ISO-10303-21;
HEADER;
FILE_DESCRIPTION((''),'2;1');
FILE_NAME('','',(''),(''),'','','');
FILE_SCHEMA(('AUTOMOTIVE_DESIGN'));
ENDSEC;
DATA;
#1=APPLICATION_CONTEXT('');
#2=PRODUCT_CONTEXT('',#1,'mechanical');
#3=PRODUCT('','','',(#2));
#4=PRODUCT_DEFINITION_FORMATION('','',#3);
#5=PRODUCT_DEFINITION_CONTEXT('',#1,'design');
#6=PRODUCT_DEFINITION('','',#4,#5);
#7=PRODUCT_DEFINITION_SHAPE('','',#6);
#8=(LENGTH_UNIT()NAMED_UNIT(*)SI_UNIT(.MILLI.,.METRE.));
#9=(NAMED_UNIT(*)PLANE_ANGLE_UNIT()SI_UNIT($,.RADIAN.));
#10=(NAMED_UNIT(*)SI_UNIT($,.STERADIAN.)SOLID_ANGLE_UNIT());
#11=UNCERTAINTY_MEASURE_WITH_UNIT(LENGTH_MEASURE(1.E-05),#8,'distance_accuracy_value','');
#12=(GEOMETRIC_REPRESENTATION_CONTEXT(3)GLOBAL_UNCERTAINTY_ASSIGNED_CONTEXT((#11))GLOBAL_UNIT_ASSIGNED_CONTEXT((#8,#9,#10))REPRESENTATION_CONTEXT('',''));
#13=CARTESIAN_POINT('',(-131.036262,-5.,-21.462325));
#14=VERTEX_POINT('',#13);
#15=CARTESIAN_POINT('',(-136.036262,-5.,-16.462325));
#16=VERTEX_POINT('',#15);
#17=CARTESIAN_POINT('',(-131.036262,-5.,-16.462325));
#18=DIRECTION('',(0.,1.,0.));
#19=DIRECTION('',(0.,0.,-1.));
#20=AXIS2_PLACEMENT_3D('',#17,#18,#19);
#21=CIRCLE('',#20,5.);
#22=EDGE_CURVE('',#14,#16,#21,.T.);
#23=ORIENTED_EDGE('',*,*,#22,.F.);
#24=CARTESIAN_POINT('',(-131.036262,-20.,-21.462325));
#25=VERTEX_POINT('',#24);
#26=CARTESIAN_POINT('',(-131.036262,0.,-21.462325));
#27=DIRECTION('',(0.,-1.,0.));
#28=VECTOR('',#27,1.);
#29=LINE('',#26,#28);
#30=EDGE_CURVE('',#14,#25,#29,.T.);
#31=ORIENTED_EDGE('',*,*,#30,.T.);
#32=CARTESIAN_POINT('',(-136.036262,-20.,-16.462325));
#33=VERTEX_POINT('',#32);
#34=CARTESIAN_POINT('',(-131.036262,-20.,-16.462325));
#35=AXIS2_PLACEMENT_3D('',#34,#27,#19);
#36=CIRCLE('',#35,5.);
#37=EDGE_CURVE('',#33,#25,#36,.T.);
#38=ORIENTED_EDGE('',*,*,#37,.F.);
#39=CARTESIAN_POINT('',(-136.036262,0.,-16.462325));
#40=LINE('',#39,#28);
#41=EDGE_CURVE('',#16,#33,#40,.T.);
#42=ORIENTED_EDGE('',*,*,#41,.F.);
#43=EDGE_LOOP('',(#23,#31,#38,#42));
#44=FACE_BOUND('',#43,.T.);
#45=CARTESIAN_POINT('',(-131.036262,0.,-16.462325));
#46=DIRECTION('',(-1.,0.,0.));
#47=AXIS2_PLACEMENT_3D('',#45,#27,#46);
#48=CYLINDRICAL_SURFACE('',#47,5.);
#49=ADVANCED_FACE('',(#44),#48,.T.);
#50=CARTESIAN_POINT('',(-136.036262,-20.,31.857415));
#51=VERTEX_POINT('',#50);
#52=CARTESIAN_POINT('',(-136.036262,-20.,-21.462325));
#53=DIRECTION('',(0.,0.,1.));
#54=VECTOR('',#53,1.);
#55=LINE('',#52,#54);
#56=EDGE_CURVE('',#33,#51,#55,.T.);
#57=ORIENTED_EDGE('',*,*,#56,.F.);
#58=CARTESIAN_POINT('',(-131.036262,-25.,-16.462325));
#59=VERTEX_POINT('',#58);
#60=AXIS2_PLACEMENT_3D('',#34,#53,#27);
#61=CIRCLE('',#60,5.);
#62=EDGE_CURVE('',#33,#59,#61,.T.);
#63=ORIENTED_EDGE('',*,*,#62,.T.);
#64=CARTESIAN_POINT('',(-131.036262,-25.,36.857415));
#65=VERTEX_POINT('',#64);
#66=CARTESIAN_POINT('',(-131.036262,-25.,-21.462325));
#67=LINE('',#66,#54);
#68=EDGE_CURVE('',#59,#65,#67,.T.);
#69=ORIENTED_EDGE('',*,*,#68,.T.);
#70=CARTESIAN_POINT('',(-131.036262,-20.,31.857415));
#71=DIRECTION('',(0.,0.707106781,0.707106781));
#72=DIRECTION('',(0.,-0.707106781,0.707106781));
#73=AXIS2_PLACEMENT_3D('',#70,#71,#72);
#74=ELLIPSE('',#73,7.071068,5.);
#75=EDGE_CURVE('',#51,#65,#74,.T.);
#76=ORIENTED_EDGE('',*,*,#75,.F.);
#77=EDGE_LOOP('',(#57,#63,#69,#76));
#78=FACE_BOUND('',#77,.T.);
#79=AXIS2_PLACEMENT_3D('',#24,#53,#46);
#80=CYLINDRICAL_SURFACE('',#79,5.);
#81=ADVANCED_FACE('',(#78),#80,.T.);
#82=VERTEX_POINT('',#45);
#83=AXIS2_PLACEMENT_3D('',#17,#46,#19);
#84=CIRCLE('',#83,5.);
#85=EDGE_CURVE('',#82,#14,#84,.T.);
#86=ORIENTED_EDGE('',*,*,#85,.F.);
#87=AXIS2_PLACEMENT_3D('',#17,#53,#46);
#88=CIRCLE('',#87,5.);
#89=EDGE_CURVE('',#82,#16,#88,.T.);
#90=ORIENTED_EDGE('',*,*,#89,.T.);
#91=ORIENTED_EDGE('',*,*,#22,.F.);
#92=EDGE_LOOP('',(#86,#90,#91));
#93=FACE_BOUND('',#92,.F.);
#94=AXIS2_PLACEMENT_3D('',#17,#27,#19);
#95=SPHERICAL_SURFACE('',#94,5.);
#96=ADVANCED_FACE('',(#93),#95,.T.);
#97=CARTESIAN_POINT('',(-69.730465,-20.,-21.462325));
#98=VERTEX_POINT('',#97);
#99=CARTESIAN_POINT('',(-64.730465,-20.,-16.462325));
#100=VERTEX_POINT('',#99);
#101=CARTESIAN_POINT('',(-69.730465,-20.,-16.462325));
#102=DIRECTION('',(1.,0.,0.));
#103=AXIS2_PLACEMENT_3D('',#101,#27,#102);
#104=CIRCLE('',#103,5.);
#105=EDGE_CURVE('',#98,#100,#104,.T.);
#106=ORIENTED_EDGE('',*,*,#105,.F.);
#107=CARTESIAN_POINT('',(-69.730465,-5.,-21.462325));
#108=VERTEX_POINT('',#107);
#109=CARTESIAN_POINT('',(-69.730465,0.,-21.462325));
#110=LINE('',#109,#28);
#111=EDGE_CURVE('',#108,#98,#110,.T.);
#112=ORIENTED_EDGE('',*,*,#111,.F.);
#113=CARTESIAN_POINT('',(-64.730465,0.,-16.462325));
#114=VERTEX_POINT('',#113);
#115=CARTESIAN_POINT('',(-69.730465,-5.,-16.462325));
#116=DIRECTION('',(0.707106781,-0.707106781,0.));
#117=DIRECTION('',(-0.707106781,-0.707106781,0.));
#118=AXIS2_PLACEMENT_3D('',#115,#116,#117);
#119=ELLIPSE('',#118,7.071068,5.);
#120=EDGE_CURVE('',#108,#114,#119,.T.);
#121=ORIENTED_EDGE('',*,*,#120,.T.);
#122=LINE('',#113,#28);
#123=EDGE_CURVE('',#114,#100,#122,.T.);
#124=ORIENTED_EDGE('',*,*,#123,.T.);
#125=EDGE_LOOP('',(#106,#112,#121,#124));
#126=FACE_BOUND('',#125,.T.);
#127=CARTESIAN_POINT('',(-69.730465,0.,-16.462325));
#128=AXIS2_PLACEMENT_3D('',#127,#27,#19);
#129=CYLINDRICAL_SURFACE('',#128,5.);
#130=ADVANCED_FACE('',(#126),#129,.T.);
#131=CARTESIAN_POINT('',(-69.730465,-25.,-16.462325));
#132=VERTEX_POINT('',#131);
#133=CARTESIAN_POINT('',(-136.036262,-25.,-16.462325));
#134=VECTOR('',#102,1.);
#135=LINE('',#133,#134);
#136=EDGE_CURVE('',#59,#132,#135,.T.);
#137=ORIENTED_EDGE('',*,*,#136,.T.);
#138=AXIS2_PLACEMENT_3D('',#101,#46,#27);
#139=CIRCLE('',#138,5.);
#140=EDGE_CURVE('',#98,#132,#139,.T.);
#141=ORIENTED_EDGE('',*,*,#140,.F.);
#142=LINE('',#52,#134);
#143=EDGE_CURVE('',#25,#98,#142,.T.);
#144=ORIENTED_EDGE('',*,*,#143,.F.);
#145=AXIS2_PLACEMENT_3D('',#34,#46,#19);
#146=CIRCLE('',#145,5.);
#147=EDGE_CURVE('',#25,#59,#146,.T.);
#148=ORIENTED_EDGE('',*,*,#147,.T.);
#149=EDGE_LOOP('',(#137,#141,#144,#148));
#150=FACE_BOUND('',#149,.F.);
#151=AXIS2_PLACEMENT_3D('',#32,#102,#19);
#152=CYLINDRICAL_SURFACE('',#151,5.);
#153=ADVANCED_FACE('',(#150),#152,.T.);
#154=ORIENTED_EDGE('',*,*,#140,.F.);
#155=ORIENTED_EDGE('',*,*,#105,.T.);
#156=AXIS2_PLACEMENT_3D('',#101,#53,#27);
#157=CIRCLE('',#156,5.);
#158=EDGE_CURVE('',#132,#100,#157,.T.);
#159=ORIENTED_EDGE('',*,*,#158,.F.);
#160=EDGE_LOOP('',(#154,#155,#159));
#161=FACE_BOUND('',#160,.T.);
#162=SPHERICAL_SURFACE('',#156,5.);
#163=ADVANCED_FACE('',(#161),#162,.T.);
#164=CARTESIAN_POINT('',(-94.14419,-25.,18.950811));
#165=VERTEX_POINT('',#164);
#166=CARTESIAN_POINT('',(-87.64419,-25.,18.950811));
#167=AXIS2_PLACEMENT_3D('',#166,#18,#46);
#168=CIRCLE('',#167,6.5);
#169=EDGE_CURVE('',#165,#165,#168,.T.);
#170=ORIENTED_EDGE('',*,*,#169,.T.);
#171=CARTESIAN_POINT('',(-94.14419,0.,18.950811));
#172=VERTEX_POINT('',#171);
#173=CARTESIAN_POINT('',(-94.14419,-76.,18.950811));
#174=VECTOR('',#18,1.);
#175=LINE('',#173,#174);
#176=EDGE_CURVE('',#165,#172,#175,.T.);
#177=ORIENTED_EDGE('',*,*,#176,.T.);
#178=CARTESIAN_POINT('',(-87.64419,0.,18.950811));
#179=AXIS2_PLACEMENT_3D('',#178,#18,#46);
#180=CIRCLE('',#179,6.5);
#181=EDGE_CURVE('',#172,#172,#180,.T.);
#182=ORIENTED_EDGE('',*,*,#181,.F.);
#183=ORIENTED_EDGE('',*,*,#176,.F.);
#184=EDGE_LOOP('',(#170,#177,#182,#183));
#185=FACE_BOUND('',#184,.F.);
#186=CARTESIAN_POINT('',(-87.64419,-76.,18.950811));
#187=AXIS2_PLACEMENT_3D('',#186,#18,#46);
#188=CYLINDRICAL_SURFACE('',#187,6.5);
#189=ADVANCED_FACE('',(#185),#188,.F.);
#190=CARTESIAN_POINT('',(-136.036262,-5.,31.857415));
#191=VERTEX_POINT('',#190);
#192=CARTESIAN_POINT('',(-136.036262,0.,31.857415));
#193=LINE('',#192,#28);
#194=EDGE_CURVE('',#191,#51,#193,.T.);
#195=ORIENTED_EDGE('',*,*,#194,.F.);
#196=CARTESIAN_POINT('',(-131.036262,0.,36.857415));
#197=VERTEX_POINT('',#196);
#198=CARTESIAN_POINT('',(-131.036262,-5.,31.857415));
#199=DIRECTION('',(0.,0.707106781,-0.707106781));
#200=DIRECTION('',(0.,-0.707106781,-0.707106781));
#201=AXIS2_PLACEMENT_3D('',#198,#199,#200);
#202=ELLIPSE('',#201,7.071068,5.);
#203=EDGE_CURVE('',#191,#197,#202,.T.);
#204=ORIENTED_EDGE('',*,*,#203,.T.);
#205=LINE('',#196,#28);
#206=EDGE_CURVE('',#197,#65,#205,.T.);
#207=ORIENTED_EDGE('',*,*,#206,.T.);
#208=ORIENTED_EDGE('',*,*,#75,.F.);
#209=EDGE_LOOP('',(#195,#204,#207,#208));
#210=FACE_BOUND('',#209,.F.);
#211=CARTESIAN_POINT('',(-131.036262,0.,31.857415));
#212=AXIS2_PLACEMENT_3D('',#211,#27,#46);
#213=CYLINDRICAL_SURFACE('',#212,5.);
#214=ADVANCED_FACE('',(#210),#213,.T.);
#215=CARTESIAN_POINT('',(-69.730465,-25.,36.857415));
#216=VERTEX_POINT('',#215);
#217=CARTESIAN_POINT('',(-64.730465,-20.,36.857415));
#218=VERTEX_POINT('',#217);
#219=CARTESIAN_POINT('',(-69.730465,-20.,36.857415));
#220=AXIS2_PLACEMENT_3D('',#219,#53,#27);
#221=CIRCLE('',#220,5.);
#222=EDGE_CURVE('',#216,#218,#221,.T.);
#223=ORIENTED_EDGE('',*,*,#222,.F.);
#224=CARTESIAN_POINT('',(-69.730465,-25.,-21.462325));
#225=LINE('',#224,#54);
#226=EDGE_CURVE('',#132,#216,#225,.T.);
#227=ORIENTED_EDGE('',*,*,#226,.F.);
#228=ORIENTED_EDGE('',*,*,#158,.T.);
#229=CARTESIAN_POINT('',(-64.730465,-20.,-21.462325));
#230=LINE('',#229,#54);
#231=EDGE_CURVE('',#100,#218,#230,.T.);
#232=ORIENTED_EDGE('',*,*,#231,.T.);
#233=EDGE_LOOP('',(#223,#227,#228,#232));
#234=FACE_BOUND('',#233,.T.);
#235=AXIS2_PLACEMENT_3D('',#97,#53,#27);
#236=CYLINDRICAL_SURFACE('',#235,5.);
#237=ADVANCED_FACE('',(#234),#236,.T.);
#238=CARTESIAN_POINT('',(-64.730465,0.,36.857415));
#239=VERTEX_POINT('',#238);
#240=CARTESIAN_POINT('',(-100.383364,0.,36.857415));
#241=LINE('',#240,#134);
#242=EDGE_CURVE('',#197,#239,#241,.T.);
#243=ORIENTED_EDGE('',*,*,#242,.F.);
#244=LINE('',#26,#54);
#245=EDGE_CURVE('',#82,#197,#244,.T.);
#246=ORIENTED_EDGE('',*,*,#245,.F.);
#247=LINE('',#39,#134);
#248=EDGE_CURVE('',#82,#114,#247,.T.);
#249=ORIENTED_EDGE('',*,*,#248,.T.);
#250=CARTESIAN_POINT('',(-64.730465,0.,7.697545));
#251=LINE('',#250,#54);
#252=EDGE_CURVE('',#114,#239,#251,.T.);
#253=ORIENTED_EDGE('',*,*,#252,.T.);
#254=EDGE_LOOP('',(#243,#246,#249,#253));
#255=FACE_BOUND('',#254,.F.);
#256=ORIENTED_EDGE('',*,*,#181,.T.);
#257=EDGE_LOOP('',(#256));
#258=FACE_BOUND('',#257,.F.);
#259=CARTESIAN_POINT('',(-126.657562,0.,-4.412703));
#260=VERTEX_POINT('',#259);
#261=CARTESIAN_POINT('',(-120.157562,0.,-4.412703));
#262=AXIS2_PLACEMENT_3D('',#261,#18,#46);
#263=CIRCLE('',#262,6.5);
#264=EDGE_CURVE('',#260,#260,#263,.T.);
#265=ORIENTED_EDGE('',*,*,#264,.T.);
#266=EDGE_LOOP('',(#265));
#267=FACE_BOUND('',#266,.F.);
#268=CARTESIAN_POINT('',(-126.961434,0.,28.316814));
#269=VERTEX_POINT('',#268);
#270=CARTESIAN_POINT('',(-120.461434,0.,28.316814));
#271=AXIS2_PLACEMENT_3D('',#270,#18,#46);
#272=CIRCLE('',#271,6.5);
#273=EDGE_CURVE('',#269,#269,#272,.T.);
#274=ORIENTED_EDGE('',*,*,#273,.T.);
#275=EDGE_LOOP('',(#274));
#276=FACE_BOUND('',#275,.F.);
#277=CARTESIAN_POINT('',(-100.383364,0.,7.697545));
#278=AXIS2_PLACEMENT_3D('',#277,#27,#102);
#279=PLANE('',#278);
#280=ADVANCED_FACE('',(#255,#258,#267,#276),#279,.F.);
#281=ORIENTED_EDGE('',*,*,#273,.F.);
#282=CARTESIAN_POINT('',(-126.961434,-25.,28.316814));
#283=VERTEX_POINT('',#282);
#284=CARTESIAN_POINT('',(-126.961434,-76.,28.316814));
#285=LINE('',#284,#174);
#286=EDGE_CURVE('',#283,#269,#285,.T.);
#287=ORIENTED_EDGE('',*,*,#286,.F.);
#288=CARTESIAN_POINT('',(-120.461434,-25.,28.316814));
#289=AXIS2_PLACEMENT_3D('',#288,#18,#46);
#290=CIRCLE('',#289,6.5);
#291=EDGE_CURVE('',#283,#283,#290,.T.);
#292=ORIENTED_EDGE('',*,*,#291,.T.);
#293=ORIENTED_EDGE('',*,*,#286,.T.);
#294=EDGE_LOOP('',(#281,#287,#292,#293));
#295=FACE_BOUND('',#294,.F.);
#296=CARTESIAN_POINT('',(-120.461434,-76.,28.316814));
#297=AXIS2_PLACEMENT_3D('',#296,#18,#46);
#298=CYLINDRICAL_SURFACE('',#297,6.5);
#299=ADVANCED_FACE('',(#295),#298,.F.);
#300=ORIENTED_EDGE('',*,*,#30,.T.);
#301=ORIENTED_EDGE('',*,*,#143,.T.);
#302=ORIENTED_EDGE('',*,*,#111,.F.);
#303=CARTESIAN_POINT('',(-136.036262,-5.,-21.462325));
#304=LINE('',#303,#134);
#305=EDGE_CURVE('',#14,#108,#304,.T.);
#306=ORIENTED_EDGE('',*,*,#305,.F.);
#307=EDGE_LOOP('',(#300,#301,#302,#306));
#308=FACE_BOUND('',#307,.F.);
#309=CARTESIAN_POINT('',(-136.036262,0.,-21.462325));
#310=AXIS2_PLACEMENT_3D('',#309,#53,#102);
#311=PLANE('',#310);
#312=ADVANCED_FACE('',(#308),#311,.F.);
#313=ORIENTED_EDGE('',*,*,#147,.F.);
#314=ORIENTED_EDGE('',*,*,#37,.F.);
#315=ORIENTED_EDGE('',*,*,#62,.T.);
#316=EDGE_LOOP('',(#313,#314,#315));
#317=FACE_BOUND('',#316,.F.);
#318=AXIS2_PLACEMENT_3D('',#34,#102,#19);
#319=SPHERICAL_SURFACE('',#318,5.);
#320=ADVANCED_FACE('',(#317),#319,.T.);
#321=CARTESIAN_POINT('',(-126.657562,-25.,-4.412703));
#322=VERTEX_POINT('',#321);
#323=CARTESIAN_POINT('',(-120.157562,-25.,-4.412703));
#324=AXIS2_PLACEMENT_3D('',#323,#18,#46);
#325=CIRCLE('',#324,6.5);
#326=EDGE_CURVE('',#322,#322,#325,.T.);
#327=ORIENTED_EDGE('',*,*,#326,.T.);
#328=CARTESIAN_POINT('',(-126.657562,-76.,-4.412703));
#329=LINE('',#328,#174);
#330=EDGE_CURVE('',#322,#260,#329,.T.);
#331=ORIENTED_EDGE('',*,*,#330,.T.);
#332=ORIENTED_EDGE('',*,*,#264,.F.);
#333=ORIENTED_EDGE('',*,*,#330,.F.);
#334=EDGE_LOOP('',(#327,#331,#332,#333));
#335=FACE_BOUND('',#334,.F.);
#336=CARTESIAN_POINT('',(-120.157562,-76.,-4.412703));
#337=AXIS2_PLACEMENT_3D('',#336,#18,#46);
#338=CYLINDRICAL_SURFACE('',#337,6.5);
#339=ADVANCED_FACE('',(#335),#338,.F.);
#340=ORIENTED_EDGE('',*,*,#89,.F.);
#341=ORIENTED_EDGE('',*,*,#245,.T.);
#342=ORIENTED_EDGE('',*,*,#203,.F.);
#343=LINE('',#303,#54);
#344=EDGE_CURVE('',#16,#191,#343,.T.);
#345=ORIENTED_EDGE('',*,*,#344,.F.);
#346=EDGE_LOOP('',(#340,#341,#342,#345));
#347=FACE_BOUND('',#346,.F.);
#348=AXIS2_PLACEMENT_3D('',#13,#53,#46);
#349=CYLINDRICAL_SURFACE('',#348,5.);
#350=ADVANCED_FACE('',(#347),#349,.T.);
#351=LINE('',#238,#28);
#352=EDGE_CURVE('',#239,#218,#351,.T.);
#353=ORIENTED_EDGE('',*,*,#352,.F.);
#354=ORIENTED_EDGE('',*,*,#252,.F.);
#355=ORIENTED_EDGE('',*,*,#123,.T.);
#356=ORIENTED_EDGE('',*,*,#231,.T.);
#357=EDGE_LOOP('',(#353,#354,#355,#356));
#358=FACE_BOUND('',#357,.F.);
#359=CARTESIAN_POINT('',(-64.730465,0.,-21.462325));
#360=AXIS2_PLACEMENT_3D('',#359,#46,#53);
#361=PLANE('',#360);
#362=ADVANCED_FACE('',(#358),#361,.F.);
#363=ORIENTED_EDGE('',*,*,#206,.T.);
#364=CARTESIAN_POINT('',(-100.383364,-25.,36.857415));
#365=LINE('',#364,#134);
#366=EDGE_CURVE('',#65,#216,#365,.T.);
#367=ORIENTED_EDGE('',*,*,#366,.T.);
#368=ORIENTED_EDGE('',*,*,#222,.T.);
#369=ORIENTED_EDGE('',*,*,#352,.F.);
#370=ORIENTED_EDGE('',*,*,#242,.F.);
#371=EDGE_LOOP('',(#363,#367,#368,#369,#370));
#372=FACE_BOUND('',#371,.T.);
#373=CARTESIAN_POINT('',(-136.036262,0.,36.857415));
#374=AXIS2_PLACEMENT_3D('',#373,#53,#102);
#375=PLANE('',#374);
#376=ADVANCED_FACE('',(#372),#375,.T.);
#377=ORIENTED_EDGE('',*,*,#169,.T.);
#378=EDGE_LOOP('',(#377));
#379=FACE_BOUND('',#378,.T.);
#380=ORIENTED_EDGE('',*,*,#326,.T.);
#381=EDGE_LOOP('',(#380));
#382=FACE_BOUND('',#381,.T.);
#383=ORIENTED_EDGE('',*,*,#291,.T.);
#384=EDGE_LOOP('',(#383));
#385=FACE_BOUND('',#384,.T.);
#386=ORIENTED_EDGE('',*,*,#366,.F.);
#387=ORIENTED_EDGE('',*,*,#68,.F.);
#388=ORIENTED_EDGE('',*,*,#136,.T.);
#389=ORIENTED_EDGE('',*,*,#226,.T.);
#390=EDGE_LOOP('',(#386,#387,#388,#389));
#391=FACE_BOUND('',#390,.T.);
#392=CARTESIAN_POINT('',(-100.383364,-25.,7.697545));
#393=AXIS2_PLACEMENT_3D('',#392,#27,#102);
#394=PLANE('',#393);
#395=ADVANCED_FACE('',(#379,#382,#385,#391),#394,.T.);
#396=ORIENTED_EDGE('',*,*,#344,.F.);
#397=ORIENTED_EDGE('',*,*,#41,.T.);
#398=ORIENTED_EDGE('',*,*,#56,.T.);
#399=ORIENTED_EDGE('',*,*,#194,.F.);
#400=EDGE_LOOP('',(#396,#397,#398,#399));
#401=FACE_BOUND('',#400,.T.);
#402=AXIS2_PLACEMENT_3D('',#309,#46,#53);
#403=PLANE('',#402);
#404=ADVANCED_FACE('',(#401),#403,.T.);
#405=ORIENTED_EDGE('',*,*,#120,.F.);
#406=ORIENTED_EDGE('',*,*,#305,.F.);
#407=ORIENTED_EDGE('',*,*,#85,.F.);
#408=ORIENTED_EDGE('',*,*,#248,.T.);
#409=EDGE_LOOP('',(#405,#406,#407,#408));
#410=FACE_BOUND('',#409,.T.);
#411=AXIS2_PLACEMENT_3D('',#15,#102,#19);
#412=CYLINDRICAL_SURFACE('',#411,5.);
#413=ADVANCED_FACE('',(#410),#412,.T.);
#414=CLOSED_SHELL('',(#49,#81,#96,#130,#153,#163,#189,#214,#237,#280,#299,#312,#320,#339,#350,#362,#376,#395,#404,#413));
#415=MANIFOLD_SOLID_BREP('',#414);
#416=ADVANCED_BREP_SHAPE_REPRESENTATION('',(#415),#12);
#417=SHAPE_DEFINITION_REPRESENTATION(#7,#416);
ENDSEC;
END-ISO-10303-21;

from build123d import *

# Parameters (mm, degrees)
F0_W     = 71.305797
F0_H     = 58.31974
F1_DEPTH = 25
F3_D     = 13
F3_DEPTH = 51
F4_R     = 5


with BuildPart() as f1:
    # F0 (on Front) → F1 (new body)
    with BuildSketch(Plane.XZ):
        with Locations((-100.383364, 7.697545)):
            Rectangle(F0_W, F0_H)
    extrude(amount=F1_DEPTH)

    # F3
    with Locations(Plane.XZ.offset(25)):
        with Locations((-120.461434, 28.316814), (-120.157562, -4.412703), (-87.64419, 18.950811)):
            Hole(F3_D / 2, depth=F3_DEPTH)

    # F4
    f4_edges = [f1.edges().sort_by_distance(p)[0] for p in [
        (-64.730465, -25, 7.697545),
        (-100.383364, -25, -21.462325),
        (-136.036262, -12.5, -21.462325),
        (-64.730465, -12.5, -21.462325),
        (-100.383364, 0, -21.462325),
        (-136.036262, -12.5, 36.857415),
        (-136.036262, 0, 7.697545),
        (-136.036262, -25, 7.697545),
    ]]
    fillet(f4_edges, radius=F4_R)


solid = f1.part
